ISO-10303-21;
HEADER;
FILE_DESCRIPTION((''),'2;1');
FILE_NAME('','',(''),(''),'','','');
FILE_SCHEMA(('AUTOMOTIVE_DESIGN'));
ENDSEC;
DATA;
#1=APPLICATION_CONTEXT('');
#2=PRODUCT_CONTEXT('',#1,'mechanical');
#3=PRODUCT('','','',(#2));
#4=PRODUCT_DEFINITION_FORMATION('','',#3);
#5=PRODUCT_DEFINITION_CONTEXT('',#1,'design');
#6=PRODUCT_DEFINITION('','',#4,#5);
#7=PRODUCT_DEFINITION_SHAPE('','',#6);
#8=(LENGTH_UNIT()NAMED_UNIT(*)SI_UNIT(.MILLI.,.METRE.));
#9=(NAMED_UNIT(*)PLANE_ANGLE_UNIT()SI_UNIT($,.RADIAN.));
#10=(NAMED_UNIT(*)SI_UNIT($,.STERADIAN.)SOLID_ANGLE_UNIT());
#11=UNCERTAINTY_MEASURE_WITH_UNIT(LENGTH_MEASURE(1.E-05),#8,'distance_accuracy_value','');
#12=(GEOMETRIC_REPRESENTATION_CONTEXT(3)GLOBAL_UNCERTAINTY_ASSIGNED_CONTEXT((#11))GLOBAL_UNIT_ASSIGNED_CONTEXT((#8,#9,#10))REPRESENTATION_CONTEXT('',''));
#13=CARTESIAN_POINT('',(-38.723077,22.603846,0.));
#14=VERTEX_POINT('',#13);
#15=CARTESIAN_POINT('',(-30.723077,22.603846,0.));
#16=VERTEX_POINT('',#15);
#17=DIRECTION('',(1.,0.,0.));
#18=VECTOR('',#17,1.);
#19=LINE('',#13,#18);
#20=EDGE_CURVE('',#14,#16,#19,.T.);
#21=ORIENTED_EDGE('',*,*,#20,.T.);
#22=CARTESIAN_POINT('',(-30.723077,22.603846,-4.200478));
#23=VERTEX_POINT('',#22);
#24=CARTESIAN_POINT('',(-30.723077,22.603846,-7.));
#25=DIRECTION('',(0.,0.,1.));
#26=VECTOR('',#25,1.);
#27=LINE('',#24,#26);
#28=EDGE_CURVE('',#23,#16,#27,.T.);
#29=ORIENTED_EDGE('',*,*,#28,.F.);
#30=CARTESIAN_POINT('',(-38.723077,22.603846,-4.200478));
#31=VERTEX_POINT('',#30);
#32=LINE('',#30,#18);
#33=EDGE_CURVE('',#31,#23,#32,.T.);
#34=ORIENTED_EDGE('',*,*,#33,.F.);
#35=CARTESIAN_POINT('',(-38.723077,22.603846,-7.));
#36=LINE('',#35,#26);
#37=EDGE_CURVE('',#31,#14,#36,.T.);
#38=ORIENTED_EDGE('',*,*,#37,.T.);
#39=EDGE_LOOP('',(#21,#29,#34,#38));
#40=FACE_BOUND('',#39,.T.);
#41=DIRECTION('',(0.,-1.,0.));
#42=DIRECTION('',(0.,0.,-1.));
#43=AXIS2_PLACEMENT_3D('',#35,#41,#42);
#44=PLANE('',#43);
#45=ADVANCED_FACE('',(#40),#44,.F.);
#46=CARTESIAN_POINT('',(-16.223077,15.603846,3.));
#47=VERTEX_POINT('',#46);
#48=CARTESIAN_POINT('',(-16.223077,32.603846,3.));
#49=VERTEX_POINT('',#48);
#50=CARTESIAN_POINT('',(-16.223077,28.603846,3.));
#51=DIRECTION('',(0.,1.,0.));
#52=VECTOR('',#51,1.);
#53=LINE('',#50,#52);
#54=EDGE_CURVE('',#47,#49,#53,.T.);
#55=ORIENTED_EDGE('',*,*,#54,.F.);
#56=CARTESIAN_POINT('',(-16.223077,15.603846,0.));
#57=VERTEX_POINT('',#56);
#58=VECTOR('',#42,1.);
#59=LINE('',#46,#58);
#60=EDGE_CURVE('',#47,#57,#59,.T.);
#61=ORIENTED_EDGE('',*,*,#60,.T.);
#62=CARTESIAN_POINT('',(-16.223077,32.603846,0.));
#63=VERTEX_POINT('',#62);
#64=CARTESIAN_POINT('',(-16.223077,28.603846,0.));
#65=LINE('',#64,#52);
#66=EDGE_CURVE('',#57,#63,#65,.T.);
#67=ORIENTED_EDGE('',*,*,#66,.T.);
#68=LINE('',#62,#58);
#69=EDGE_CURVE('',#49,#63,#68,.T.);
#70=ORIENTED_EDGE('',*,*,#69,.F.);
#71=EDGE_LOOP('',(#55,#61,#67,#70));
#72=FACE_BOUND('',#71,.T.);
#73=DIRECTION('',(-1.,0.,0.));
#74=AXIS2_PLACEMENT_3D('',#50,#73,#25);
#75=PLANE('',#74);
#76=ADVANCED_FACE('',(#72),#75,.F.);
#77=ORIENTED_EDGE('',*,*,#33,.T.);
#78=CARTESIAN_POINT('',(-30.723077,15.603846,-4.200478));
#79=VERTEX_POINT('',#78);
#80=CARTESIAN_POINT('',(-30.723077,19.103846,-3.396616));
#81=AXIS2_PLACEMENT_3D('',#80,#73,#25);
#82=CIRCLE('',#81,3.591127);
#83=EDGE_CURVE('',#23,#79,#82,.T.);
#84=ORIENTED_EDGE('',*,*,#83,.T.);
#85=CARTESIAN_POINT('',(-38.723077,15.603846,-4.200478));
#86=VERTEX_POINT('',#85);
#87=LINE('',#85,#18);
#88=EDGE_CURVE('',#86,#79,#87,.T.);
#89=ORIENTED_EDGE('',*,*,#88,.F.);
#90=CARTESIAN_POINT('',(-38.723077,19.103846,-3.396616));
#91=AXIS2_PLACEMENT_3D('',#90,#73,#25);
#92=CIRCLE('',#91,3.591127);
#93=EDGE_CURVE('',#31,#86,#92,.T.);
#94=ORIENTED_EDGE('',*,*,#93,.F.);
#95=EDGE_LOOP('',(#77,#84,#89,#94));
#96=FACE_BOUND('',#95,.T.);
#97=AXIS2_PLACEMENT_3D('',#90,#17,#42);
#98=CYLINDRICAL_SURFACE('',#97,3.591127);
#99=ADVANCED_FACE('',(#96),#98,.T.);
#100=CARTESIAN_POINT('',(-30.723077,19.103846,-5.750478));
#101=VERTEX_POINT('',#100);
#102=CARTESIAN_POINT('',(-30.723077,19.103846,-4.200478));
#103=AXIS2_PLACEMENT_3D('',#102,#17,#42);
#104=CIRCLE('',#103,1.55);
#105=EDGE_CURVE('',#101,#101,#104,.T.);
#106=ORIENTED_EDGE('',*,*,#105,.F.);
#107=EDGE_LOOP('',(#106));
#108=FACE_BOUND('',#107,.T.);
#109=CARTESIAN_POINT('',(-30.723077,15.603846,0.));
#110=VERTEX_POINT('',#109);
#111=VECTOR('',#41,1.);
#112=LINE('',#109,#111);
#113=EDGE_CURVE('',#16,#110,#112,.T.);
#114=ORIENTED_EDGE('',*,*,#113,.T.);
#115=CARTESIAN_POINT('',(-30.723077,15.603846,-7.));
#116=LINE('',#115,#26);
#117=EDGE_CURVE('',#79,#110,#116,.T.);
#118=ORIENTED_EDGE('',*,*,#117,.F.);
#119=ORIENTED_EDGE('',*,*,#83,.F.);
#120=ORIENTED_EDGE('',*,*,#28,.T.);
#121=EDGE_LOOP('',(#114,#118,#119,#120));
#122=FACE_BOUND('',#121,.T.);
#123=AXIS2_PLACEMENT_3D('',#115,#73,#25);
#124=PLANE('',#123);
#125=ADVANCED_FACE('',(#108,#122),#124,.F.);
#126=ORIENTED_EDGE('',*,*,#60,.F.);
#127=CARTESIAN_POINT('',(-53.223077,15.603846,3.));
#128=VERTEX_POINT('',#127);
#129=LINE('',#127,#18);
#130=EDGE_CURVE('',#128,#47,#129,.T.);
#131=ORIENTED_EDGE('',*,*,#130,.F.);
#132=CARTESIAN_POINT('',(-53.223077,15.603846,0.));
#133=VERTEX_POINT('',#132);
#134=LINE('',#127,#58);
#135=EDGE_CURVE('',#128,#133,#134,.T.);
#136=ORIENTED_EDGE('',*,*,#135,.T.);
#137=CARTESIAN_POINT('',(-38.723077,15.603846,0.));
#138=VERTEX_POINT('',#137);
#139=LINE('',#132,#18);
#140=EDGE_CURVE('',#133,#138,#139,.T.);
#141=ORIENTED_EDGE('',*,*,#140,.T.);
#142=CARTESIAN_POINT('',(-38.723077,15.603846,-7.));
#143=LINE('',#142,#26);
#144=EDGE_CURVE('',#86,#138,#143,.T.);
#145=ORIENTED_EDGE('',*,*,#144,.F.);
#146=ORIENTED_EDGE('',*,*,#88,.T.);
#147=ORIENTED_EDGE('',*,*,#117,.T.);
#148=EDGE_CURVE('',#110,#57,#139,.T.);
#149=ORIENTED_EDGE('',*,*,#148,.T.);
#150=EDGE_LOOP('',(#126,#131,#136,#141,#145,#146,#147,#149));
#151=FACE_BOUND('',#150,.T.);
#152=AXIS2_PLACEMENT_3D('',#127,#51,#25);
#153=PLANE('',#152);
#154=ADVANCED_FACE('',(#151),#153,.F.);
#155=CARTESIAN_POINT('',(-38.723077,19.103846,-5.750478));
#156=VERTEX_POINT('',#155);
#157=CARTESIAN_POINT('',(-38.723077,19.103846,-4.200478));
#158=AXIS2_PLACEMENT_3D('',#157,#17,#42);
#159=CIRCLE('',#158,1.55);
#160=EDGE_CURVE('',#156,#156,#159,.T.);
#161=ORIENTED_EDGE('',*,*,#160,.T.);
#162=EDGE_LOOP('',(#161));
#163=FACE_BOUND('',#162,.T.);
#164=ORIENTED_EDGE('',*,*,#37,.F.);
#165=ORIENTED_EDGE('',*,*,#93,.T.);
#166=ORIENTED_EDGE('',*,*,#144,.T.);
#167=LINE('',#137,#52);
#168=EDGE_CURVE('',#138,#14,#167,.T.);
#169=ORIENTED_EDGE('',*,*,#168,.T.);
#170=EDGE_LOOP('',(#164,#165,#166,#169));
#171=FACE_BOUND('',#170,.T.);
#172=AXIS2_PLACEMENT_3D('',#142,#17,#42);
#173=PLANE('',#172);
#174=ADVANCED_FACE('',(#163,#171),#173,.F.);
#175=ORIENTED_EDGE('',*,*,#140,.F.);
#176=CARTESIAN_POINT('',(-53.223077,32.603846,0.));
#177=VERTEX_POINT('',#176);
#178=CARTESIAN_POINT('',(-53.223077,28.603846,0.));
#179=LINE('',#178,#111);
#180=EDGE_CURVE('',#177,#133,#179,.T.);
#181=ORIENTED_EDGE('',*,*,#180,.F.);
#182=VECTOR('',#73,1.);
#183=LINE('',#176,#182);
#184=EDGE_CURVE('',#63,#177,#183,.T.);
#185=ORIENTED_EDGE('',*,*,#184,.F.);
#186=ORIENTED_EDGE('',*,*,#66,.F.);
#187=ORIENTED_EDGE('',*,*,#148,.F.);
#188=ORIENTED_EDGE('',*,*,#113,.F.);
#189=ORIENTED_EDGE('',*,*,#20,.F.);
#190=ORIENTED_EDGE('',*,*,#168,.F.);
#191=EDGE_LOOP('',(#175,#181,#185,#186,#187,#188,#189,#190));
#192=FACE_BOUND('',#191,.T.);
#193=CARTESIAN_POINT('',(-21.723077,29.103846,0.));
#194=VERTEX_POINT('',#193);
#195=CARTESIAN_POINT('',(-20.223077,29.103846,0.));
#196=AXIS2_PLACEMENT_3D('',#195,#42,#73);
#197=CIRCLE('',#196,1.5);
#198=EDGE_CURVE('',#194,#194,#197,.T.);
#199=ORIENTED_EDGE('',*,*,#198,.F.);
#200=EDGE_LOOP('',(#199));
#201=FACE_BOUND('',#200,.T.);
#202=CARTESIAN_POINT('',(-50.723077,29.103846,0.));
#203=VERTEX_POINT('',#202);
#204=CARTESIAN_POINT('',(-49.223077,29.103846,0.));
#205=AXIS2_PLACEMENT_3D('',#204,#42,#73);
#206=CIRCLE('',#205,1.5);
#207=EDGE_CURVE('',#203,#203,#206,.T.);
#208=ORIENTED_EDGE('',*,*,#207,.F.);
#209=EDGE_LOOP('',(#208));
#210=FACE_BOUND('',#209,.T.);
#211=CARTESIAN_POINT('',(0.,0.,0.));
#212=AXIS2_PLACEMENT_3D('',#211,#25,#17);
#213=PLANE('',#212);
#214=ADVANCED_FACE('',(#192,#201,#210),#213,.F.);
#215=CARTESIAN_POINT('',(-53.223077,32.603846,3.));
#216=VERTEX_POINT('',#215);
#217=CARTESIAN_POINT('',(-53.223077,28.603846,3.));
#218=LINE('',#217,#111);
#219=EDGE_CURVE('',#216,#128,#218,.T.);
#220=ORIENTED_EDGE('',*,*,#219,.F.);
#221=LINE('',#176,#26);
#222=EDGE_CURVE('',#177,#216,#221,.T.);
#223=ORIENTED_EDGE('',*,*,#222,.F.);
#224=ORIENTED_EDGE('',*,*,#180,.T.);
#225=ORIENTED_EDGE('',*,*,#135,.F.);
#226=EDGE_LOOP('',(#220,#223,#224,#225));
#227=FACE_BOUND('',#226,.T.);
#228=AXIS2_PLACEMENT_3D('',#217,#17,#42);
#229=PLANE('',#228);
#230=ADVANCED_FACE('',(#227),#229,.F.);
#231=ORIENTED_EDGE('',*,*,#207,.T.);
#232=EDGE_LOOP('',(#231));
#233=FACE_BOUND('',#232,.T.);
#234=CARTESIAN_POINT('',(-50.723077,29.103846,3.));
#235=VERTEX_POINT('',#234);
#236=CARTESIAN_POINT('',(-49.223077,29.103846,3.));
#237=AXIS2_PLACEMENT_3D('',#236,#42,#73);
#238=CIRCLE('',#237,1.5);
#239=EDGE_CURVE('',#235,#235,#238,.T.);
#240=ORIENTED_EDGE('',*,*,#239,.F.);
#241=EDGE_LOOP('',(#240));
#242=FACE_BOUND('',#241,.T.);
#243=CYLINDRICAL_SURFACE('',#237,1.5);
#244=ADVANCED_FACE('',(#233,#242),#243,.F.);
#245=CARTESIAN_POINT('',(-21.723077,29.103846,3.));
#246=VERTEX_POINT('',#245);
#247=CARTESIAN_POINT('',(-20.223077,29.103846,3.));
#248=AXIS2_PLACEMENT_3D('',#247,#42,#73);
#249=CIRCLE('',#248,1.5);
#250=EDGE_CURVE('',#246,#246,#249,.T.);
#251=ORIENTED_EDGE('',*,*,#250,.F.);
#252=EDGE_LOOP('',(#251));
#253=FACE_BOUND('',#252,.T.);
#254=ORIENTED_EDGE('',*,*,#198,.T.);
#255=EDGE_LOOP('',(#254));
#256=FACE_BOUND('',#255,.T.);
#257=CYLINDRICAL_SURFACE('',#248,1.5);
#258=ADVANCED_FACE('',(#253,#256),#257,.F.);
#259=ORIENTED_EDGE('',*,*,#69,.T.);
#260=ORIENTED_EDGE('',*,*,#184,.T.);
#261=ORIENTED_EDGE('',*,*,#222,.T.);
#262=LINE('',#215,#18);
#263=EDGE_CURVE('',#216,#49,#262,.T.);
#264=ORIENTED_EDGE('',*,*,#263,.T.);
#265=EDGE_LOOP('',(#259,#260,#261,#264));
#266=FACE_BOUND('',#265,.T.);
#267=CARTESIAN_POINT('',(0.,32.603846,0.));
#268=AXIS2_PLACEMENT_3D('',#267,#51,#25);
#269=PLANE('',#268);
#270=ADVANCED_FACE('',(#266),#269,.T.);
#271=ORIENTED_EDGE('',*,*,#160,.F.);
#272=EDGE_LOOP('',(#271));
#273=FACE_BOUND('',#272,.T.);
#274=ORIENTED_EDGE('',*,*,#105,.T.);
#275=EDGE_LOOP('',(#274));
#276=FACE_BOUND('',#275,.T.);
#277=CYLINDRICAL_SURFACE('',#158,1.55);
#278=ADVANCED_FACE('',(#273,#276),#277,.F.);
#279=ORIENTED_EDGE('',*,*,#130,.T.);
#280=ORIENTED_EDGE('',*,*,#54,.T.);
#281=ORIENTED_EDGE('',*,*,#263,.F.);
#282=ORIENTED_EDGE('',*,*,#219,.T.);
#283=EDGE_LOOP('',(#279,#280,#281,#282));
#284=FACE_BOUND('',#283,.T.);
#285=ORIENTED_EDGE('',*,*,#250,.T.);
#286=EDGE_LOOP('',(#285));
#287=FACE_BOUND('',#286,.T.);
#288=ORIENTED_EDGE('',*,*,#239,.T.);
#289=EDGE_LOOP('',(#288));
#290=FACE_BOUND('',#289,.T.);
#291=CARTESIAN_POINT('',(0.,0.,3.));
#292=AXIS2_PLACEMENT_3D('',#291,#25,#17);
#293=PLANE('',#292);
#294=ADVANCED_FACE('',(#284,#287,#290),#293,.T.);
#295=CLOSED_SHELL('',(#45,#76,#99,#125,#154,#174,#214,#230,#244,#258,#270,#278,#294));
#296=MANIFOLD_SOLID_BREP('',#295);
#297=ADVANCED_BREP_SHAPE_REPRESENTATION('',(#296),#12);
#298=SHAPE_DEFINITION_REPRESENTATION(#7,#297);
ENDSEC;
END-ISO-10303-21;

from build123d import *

# Parameters (mm, degrees)
CROQUIS1_W              = 37
CROQUIS1_H              = 13
SALIENTE_EXTRUIR1_DEPTH = 3
CROQUIS3_W              = 8
CROQUIS3_H              = 7
SALIENTE_EXTRUIR2_DEPTH = 7
CROQUIS6_R              = 1.55
CORTAR_EXTRUIR4_DEPTH   = 8
CROQUIS8_W              = 37
CROQUIS8_H              = 3
SALIENTE_EXTRUIR3_DEPTH = 4
CROQUIS9_R              = 1.5
CORTAR_EXTRUIR5_DEPTH   = 3


with BuildPart() as part:
    # Croquis1 → Saliente-Extruir1 (new body)
    with BuildSketch(Plane.XY):
        with Locations((-34.723076923, 22.103846154)):
            Rectangle(CROQUIS1_W, CROQUIS1_H)
    extrude(amount=SALIENTE_EXTRUIR1_DEPTH)

    # Croquis3 → Saliente-Extruir2 (add)
    with BuildSketch(Plane(origin=(0, 0, 0), x_dir=(-1, 0, 0), z_dir=(0, 0, -1))):
        with Locations((34.723076923, 19.103846154)):
            Rectangle(CROQUIS3_W, CROQUIS3_H)
    extrude(amount=SALIENTE_EXTRUIR2_DEPTH)

    # Croquis6 → Cortar-Extruir4 (cut)
    with BuildSketch(Plane(origin=(-30.723076923, 0, 0), x_dir=(0, 0, -1), z_dir=(1, 0, 0))):
        with Locations((4.200477656, 19.103846154)):
            Circle(CROQUIS6_R)
        with BuildLine():
            Line((4.200477656, 22.603846154), (7, 22.603846154))
            Line((7, 22.603846154), (7, 15.603846154))
            Line((7, 15.603846154), (4.200477656, 15.603846154))
            ThreePointArc((4.200477656, 15.603846154), (6.987743364, 19.103846154), (4.200477656, 22.603846154))
        make_face()
    extrude(amount=-CORTAR_EXTRUIR4_DEPTH, mode=Mode.SUBTRACT)

    # Croquis8 → Saliente-Extruir3 (add)
    with BuildSketch(Plane(origin=(0, 28.603846154, 0), x_dir=(1, 0, 0), z_dir=(0, 1, 0))):
        with Locations((-34.723076923, -1.5)):
            Rectangle(CROQUIS8_W, CROQUIS8_H)
    extrude(amount=SALIENTE_EXTRUIR3_DEPTH)

    # Croquis9 → Cortar-Extruir5 (cut)
    with BuildSketch(Plane(origin=(0, 0, 0), x_dir=(-1, 0, 0), z_dir=(0, 0, -1))):
        with Locations((20.223076923, 29.103846154)):
            Circle(CROQUIS9_R)
        with Locations((49.223076923, 29.103846154)):
            Circle(CROQUIS9_R)
    extrude(amount=-CORTAR_EXTRUIR5_DEPTH, mode=Mode.SUBTRACT)


solid = part.part
